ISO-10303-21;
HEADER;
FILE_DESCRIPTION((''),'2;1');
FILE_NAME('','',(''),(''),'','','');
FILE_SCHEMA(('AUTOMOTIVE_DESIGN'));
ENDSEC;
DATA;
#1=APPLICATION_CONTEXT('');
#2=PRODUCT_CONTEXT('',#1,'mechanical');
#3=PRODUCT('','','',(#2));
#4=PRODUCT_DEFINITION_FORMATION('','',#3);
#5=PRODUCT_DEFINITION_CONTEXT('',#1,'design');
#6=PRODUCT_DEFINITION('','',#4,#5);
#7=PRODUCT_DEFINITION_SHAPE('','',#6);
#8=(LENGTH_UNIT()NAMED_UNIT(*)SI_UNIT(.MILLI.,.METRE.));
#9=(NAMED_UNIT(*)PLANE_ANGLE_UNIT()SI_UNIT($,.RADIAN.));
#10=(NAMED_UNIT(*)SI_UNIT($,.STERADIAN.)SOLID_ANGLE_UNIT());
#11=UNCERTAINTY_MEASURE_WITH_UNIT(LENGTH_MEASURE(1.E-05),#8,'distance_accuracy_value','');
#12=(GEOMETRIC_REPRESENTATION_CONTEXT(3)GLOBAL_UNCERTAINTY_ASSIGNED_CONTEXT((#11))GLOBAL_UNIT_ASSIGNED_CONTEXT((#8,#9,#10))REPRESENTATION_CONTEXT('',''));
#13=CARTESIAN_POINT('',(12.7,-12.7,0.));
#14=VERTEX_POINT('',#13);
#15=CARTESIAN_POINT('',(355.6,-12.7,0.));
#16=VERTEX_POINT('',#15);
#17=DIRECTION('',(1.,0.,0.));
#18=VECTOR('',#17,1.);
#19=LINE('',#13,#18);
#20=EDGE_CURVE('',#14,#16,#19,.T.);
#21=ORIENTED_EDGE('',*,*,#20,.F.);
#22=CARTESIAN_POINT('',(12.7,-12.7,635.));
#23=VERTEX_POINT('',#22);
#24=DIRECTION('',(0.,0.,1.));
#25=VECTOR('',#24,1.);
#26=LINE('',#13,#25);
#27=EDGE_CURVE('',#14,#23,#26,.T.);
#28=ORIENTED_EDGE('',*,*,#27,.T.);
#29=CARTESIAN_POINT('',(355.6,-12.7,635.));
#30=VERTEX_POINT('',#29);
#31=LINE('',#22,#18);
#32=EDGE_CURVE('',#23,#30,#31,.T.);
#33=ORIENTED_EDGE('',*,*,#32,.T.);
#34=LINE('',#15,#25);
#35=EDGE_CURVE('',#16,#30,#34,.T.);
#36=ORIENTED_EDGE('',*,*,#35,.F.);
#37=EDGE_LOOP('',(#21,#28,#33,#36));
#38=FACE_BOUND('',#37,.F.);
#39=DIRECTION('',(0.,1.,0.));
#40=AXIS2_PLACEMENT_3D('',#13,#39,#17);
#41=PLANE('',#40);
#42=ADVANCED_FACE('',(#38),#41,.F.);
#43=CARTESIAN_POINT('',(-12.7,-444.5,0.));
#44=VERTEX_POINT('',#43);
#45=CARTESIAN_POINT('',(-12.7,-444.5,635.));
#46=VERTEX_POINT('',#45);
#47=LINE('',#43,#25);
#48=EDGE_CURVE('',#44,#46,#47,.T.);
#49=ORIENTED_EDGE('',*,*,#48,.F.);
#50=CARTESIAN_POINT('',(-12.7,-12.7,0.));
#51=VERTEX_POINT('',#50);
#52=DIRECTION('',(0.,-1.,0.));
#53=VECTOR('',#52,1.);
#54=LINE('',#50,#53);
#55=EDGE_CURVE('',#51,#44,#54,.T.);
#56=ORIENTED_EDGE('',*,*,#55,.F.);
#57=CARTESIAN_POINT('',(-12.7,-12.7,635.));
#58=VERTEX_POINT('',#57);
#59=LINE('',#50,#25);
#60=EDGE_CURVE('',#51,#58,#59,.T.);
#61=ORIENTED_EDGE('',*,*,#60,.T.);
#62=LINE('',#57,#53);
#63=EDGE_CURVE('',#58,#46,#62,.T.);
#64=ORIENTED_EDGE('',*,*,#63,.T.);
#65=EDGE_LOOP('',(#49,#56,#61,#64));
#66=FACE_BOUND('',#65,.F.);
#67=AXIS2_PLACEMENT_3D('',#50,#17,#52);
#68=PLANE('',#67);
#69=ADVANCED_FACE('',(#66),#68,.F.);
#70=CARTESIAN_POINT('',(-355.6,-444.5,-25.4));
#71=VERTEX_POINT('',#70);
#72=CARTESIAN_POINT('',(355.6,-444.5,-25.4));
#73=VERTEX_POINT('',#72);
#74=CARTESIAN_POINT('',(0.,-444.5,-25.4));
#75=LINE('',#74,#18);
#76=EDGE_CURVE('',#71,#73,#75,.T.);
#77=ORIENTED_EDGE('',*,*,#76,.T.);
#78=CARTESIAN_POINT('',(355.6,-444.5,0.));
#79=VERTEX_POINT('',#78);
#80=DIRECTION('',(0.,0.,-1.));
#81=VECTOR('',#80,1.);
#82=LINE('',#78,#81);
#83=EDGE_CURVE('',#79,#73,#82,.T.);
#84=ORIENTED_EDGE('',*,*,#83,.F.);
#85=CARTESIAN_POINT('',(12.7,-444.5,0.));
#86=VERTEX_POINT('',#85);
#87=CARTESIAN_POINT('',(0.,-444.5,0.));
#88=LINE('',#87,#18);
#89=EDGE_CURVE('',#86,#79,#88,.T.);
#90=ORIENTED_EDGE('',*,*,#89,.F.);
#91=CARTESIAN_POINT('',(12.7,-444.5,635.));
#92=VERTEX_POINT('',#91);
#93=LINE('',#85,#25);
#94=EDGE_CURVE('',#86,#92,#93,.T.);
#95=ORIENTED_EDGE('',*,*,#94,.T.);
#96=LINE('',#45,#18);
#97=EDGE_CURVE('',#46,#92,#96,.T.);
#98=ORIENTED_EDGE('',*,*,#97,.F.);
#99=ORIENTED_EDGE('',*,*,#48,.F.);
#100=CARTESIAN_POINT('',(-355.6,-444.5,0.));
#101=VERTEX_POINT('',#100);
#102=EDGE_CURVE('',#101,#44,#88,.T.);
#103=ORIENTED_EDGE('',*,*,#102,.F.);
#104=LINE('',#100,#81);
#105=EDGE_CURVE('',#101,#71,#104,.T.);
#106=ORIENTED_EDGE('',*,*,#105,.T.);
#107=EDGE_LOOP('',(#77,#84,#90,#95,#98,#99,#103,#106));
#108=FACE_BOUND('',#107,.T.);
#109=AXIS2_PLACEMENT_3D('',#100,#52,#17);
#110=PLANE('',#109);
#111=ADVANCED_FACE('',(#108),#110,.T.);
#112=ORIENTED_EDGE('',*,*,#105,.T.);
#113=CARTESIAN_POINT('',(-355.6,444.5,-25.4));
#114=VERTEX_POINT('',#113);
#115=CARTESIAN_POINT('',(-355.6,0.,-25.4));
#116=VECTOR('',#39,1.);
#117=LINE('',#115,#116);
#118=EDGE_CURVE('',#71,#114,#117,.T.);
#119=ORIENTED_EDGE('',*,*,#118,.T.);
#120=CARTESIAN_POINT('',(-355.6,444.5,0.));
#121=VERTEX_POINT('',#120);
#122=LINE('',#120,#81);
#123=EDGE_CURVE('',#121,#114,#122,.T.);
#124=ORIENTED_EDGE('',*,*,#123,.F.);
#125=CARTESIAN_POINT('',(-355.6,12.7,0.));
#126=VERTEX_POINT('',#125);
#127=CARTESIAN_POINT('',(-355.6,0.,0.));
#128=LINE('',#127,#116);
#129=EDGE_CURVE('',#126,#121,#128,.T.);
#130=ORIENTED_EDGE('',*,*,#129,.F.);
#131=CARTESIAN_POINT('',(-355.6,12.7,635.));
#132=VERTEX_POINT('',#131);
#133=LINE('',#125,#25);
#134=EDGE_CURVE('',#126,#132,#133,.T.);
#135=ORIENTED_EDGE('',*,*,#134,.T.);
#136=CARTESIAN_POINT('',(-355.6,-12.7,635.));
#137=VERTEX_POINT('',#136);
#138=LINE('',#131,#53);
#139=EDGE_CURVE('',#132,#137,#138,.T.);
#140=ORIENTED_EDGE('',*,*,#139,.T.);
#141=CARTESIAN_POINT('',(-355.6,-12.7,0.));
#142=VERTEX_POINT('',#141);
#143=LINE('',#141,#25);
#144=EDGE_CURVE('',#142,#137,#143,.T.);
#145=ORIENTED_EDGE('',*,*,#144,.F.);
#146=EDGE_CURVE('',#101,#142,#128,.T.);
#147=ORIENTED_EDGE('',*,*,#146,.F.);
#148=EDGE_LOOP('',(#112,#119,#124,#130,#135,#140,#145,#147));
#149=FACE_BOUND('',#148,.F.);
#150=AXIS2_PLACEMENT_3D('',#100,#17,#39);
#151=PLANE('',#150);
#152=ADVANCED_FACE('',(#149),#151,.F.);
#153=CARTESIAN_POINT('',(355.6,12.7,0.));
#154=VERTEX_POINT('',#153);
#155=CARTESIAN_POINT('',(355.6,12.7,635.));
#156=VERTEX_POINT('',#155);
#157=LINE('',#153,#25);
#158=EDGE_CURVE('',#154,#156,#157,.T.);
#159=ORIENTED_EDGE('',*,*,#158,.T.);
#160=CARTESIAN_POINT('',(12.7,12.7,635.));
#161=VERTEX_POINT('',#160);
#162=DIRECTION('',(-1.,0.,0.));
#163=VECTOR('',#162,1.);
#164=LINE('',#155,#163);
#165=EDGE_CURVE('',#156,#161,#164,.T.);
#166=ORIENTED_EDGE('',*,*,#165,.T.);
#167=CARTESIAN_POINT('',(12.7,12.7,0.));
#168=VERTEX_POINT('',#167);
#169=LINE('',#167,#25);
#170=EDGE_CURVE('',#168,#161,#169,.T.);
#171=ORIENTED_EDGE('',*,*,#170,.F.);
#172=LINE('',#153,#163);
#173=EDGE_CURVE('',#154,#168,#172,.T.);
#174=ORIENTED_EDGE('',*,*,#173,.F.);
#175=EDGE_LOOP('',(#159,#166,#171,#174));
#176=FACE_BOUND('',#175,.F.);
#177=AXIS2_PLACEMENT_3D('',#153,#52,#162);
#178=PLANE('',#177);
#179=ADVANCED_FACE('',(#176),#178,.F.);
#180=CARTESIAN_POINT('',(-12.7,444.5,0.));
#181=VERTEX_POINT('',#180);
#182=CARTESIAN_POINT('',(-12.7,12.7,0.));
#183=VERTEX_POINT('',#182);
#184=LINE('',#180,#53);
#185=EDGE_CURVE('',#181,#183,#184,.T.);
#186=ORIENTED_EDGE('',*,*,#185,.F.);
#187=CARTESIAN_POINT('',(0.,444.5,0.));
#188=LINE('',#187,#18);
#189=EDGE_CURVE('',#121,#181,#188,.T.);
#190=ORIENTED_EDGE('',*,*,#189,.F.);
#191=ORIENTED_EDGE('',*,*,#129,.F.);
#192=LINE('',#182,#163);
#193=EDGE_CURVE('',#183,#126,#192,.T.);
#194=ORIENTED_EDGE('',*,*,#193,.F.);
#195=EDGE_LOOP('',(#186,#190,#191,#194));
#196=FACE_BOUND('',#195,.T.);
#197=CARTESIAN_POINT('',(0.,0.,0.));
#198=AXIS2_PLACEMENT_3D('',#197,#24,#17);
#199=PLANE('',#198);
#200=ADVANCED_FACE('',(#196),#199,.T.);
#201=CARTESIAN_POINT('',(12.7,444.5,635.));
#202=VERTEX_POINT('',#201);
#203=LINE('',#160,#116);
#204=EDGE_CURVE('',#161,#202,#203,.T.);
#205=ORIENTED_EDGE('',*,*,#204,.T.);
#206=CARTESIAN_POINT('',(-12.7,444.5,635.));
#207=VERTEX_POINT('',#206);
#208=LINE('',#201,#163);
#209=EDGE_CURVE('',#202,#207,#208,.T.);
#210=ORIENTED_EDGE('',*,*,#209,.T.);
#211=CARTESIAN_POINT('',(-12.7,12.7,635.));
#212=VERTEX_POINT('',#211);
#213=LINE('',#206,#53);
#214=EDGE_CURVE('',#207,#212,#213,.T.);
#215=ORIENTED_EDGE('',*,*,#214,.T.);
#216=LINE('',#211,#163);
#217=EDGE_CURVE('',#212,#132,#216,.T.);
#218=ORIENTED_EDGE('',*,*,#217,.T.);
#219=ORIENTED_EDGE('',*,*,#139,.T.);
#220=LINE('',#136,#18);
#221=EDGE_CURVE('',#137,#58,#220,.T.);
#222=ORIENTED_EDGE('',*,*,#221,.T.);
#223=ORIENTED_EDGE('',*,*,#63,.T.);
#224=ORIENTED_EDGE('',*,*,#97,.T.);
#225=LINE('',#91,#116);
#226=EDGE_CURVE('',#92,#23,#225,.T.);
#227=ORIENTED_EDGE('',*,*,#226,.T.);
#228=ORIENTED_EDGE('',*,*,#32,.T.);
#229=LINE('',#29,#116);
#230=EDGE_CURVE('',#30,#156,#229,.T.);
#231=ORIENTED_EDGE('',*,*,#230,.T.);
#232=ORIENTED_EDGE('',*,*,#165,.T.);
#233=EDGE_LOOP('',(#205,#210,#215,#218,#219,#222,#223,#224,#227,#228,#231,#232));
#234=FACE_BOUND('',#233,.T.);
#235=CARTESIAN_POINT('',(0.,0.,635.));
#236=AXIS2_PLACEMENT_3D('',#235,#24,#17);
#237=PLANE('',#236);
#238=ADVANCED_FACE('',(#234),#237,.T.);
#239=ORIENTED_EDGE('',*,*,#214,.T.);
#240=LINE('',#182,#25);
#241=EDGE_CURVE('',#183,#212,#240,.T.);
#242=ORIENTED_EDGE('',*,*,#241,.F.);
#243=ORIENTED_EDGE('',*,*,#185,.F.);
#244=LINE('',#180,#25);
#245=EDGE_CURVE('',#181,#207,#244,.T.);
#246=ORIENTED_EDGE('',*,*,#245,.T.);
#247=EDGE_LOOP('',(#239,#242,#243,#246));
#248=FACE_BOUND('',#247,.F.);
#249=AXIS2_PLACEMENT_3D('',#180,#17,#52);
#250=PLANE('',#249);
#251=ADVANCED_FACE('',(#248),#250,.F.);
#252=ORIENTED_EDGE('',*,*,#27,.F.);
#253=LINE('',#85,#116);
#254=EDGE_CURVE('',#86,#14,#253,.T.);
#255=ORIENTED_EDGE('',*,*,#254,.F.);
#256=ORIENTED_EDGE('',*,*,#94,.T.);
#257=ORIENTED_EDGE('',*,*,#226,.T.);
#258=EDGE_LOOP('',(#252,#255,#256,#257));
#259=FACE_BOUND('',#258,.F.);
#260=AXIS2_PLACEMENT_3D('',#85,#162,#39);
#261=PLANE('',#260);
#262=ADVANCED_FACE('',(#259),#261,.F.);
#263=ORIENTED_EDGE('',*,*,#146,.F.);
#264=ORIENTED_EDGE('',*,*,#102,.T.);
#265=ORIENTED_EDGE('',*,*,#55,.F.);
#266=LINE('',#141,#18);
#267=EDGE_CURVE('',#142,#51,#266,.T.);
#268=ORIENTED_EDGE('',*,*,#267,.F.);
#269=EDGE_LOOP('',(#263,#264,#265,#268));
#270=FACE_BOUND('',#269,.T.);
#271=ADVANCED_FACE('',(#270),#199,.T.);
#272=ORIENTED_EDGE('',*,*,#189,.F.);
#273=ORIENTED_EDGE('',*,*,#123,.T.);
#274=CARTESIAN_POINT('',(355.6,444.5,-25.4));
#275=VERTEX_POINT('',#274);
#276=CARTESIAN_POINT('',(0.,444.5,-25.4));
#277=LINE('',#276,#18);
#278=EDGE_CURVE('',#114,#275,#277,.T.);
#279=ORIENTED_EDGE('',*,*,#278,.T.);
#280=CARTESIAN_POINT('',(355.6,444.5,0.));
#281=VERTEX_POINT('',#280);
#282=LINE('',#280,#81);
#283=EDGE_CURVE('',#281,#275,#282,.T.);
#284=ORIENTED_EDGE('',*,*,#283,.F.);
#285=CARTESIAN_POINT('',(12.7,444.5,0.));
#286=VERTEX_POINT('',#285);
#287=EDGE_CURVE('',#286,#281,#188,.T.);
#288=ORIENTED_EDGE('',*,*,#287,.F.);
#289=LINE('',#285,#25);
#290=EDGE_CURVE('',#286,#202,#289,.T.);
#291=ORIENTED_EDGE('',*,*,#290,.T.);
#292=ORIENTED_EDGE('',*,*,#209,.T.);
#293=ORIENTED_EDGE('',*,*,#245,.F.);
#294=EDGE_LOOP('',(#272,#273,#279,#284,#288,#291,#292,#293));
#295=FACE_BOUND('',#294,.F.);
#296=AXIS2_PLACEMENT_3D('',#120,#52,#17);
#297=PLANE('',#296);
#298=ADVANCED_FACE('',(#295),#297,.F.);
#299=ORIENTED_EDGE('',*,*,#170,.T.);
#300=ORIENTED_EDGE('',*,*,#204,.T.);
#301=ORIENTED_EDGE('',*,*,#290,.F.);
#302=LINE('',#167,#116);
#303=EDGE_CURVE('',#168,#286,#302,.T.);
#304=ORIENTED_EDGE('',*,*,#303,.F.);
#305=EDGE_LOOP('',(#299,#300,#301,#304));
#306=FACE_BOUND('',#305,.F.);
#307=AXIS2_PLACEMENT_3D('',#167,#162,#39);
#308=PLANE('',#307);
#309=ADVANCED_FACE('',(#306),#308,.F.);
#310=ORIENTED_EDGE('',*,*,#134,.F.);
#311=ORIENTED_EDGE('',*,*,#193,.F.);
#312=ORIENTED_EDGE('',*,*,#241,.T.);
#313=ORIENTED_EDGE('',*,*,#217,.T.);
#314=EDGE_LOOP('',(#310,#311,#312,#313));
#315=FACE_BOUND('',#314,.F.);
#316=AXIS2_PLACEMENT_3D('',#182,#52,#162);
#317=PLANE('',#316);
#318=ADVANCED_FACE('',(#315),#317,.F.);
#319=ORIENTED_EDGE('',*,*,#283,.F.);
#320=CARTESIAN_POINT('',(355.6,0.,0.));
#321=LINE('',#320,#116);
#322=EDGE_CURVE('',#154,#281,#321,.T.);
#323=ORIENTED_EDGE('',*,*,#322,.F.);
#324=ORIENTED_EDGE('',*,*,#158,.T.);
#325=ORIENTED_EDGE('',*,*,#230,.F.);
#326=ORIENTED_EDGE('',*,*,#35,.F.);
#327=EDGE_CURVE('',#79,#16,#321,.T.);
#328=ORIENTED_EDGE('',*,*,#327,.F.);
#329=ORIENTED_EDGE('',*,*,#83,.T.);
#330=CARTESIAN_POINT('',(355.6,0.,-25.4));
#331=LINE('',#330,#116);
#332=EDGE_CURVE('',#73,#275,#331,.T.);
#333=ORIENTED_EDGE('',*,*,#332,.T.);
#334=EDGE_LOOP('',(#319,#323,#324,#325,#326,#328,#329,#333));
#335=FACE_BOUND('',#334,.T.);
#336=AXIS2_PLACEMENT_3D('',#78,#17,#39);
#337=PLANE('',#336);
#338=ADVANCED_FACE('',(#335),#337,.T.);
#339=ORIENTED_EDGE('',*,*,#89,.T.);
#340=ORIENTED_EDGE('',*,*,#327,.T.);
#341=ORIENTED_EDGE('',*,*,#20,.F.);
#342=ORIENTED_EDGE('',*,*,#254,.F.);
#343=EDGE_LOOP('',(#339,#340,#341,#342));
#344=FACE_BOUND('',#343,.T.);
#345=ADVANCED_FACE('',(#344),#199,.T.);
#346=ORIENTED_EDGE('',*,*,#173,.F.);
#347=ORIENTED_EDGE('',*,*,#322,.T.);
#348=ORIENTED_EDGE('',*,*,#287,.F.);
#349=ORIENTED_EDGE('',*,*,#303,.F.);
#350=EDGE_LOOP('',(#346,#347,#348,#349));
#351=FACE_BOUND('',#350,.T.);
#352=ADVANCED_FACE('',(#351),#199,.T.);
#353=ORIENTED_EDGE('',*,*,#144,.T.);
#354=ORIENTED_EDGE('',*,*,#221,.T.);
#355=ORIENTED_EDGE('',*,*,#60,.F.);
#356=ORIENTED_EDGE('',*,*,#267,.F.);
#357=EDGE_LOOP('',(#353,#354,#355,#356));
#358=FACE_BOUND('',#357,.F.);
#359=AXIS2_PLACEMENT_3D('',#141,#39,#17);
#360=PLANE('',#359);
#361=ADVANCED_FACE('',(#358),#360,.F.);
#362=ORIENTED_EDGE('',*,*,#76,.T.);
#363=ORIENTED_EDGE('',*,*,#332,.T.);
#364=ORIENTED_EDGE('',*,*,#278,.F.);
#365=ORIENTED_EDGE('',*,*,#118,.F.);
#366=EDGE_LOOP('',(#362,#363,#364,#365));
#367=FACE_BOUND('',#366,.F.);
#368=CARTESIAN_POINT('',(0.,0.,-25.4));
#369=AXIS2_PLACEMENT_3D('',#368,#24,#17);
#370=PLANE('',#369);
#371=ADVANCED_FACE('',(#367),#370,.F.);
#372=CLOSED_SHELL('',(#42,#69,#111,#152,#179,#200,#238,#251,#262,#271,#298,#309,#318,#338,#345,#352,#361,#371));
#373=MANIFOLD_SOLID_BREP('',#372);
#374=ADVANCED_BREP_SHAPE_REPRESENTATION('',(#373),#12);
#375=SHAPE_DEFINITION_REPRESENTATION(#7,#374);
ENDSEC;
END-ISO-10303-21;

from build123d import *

# Parameters (mm, degrees)
F2_DEPTH = 635
F0_W     = 711.2
F0_H     = 889
F3_DEPTH = 25.4


with BuildPart() as f2:
    # F1 (on face) → F2 (new body)
    with BuildSketch(Plane.XY):
        Polygon((12.7, 444.5), (-12.7, 444.5), (-12.7, 12.7), (-355.6, 12.7), (-355.6, -12.7), (-12.7, -12.7), (-12.7, -444.5), (12.7, -444.5), (12.7, -12.7), (355.6, -12.7), (355.6, 12.7), (12.7, 12.7), align=None)
    extrude(amount=F2_DEPTH)

    # F0 (on Top) → F3 (join)
    with BuildSketch(Plane.XY):
        Rectangle(F0_W, F0_H)
    extrude(amount=-F3_DEPTH)


solid = f2.part
